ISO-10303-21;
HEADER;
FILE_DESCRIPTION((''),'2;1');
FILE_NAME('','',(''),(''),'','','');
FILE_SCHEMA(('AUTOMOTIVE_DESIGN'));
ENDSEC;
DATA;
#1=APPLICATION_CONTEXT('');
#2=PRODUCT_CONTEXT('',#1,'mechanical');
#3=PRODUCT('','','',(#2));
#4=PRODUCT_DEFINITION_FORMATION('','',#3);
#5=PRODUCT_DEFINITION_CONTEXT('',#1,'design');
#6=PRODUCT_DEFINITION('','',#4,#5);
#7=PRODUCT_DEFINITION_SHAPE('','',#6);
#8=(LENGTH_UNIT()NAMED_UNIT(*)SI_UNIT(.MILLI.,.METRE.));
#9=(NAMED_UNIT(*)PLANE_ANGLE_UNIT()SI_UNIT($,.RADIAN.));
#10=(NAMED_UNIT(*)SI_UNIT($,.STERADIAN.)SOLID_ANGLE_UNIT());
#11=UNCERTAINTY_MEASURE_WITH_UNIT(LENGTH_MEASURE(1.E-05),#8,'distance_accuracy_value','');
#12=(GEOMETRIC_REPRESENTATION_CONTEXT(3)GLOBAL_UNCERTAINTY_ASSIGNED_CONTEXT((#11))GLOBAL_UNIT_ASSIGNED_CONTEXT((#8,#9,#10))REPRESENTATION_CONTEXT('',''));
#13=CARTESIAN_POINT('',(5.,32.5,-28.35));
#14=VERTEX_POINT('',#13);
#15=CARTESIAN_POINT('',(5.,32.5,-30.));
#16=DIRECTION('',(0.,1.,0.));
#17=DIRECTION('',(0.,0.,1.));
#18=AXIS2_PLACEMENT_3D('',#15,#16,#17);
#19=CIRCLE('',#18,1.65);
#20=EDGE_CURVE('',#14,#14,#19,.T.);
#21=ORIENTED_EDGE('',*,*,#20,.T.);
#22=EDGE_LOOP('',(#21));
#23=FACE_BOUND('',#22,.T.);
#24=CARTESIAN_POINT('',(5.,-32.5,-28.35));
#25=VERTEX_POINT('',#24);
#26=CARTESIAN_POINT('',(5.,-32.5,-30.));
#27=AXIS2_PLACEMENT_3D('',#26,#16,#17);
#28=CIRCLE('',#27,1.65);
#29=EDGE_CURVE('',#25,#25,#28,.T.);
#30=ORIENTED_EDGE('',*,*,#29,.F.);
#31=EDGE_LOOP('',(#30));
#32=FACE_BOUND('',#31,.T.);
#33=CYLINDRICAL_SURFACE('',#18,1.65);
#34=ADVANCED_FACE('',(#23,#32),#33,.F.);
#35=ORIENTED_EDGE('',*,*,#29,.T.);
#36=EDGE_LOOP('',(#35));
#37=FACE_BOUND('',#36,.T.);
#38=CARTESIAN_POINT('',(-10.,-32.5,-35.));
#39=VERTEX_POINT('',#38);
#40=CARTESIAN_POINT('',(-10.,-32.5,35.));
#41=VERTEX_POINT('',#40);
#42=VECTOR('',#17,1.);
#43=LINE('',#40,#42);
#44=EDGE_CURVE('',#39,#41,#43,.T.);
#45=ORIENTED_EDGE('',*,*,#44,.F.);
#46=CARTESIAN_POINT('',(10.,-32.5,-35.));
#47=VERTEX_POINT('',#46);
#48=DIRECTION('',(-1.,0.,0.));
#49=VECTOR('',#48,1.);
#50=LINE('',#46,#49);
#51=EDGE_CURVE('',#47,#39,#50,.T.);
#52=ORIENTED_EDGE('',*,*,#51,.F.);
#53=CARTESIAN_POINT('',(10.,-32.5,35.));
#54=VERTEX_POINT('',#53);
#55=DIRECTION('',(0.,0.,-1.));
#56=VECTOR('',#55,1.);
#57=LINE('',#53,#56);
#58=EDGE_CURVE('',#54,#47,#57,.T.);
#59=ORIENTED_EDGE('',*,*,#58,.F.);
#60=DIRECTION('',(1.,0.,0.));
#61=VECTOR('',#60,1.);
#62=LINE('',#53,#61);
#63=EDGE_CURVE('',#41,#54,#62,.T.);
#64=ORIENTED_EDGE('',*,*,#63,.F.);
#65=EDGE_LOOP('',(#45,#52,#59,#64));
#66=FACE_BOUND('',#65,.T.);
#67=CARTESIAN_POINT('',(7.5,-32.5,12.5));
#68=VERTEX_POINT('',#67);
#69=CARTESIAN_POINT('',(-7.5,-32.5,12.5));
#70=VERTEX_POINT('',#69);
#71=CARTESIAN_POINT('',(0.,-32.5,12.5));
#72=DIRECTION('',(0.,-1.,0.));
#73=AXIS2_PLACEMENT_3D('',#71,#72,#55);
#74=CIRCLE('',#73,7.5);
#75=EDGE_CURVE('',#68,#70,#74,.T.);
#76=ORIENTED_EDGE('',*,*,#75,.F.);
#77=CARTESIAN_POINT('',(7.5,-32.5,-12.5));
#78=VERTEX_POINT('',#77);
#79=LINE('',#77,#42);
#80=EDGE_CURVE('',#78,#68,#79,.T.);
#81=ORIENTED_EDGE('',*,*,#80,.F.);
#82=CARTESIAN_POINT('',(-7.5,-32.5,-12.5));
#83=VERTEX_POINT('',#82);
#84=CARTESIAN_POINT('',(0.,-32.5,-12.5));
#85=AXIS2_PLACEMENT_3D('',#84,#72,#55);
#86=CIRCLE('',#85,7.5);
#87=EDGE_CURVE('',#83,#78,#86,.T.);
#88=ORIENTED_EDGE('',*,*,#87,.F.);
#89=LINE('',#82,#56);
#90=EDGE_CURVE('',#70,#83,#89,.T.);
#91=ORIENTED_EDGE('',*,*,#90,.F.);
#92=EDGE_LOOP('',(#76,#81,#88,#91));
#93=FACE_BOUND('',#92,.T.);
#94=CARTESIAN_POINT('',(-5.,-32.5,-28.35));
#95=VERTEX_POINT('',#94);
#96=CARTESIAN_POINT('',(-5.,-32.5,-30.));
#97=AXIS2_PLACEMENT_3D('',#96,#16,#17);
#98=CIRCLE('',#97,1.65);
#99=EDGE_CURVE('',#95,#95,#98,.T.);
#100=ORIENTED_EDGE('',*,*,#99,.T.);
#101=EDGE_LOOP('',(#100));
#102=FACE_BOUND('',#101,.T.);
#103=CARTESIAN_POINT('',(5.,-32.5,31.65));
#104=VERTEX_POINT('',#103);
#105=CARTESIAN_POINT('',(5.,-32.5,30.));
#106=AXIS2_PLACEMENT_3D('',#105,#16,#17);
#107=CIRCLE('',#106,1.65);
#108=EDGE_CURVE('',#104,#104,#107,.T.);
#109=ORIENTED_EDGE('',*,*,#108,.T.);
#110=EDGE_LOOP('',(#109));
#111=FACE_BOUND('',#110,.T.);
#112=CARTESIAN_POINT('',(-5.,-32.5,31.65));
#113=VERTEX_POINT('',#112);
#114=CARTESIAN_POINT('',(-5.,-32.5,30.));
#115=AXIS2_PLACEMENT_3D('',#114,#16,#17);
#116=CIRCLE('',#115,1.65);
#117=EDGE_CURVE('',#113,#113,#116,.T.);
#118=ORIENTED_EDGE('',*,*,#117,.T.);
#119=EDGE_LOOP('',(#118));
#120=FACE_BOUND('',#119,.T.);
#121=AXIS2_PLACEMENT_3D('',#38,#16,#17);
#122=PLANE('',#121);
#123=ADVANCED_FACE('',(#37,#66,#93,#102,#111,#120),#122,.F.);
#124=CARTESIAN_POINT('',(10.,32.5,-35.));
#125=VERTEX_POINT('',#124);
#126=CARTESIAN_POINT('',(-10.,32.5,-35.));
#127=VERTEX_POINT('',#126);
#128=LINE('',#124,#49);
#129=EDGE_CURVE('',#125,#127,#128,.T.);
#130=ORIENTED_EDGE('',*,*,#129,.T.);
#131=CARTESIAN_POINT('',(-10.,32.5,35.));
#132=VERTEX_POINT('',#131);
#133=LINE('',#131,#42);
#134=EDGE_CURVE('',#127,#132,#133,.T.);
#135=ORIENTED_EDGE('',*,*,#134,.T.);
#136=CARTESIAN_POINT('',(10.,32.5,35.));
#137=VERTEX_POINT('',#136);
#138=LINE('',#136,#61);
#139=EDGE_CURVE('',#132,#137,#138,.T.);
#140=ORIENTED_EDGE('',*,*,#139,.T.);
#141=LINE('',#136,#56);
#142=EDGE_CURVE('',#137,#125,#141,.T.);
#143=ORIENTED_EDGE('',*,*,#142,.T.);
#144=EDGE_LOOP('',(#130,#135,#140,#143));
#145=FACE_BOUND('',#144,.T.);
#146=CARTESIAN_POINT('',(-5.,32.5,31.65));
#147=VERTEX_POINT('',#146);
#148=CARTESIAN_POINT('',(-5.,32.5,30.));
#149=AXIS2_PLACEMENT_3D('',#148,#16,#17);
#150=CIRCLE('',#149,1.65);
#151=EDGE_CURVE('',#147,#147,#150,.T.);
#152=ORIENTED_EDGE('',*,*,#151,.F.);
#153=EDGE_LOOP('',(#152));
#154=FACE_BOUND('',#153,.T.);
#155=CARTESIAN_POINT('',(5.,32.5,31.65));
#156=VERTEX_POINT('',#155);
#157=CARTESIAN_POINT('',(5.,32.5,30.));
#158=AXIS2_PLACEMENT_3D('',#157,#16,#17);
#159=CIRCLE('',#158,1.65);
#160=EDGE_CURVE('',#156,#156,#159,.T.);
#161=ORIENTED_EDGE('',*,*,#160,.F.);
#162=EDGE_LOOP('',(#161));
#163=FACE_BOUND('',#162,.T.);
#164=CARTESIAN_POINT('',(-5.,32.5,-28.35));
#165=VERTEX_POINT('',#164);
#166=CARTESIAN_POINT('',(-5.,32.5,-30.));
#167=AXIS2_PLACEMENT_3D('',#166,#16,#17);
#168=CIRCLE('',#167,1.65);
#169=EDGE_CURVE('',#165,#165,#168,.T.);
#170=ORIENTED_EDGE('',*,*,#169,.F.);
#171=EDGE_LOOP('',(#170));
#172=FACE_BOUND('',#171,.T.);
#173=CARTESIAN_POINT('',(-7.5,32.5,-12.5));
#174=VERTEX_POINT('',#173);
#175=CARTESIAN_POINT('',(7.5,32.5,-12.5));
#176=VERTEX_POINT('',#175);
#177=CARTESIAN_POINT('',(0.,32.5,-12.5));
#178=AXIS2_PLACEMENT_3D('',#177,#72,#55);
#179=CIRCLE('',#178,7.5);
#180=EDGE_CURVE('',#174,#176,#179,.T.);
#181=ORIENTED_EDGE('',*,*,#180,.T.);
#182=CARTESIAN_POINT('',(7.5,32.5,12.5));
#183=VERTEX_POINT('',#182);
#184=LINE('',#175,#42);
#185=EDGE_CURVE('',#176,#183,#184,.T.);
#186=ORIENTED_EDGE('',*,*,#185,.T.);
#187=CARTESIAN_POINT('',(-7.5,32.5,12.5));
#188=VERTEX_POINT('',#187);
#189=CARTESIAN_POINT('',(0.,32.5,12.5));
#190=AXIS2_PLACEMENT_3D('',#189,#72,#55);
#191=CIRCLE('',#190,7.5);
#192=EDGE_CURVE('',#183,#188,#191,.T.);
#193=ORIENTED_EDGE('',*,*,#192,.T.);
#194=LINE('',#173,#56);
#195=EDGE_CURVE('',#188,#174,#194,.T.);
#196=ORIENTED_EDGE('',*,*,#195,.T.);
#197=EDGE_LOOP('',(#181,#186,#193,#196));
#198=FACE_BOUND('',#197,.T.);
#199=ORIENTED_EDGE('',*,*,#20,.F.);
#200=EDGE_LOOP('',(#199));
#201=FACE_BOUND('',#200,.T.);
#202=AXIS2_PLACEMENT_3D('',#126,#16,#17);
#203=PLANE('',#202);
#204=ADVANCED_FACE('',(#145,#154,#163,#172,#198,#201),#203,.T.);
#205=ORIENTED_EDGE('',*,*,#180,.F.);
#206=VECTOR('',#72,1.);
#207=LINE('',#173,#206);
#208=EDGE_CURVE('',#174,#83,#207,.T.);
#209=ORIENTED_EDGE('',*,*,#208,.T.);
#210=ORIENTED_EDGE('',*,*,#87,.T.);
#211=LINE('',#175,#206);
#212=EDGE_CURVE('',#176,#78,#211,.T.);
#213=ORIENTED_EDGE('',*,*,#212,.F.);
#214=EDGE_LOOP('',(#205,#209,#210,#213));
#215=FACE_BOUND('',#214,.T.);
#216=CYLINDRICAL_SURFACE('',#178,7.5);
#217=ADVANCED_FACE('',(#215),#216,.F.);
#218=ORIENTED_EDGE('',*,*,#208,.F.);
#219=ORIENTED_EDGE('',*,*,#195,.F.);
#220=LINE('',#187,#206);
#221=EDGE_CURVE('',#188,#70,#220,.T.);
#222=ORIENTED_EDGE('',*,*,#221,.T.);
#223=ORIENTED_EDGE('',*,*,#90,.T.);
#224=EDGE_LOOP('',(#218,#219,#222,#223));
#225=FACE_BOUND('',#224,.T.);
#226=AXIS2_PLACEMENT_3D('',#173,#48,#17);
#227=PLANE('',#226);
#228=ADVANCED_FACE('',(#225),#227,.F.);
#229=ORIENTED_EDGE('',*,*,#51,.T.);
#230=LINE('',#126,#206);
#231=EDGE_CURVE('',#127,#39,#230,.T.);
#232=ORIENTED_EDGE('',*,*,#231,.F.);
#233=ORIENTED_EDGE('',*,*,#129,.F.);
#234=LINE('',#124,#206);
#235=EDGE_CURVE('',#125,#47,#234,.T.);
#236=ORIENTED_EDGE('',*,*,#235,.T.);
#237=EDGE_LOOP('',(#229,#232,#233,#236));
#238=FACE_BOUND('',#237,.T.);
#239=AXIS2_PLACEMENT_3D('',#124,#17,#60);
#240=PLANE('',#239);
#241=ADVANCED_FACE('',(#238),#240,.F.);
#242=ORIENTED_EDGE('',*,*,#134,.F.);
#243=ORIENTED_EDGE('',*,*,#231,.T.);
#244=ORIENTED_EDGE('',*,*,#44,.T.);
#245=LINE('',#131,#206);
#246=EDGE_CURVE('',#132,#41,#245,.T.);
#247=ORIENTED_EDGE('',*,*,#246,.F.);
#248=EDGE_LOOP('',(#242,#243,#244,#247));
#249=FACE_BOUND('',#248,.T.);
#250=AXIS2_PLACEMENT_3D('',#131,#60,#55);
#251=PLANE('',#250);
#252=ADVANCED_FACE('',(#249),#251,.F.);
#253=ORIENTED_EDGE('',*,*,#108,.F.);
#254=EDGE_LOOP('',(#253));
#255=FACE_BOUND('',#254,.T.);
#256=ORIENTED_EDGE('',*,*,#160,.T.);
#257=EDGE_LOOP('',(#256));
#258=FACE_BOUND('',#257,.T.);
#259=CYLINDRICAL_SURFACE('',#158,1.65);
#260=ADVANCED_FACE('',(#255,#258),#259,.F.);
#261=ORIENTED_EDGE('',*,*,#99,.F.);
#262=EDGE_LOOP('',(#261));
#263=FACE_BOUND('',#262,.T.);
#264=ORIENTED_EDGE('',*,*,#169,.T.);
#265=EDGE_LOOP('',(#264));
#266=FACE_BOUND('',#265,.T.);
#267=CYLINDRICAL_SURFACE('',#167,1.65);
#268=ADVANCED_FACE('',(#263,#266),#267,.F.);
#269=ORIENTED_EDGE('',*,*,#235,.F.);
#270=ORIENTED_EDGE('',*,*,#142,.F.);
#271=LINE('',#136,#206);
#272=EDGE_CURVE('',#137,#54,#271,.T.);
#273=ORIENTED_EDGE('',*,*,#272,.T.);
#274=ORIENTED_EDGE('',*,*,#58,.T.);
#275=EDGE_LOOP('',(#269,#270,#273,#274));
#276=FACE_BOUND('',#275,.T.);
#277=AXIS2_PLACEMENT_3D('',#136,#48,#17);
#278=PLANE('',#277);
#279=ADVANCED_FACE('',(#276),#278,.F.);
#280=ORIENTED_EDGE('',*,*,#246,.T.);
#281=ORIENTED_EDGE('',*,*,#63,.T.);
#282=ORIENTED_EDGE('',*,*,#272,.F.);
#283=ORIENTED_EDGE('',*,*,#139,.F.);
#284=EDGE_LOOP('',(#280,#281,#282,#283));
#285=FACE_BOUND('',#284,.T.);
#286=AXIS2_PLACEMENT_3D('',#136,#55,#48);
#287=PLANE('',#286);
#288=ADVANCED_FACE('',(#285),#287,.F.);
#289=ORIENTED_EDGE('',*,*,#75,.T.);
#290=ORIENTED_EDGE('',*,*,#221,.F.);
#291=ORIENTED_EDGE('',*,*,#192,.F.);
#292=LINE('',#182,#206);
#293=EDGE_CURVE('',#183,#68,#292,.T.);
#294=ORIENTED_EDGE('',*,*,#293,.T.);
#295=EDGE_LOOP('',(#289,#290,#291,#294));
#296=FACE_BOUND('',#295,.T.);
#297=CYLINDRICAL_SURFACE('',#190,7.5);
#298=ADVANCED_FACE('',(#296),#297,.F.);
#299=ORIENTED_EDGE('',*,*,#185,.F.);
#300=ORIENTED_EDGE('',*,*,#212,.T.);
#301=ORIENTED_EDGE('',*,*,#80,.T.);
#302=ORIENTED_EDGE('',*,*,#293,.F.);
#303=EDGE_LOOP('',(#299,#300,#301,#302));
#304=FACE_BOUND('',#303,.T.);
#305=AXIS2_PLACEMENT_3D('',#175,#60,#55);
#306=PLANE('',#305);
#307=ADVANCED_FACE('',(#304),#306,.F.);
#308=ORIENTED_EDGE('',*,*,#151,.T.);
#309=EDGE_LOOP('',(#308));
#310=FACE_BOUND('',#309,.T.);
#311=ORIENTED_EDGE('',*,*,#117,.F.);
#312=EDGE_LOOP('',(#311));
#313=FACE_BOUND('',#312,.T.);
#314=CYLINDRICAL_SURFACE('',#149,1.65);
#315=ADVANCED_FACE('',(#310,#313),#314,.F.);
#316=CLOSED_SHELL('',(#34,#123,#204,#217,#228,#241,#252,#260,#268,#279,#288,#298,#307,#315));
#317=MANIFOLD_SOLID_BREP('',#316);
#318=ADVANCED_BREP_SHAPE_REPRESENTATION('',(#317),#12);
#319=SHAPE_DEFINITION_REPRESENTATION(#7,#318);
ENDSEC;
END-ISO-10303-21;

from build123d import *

# Parameters (mm, degrees)
SKETCH1_W             = 20
SKETCH1_H             = 70
BOSS_EXTRUDE1_DEPTH   = 32.5
CUT_EXTRUDE1_DEPTH    = 75.498322129
SKETCH3_R             = 1.5
CUT_EXTRUDE2_DEPTH    = 100
M4_TAPPED_HOLE1_D     = 3.3
M4_TAPPED_HOLE1_DEPTH = 102.1
M4_TAPPED_HOLE1_TIP   = 0.991420021


with BuildPart() as part:
    # Sketch1 → Boss-Extrude1 (new, symmetric)
    with BuildSketch(Plane(origin=(0, 0, 0), x_dir=(1, 0, 0), z_dir=(0, 1, 0))):
        Rectangle(SKETCH1_W, SKETCH1_H)
    extrude(amount=BOSS_EXTRUDE1_DEPTH, both=True)

    # Sketch2 → Cut-Extrude1 (cut, through all)
    with BuildSketch(Plane.XZ.offset(32.5)):
        with BuildLine():
            Line((-7.5, -12.5), (-7.5, 12.5))
            ThreePointArc((-7.5, 12.5), (0, 20), (7.5, 12.5))
            Line((7.5, 12.5), (7.5, -12.5))
            ThreePointArc((7.5, -12.5), (0, -20), (-7.5, -12.5))
        make_face()
    extrude(amount=-CUT_EXTRUDE1_DEPTH, mode=Mode.SUBTRACT)

    # Sketch3 → Cut-Extrude2 (cut)
    with BuildSketch(Plane.XZ.offset(32.5)):
        with Locations(Location((5, 30, 0), (0, 0, 270))):
            Circle(SKETCH3_R)
        with Locations(Location((-5, 30, 0), (0, 0, 90))):
            Circle(SKETCH3_R)
        with Locations(Location((5, -30, 0), (0, 0, 90))):
            Circle(SKETCH3_R)
        with Locations(Location((-5, -30, 0), (0, 0, 270))):
            Circle(SKETCH3_R)
    extrude(amount=-CUT_EXTRUDE2_DEPTH, mode=Mode.SUBTRACT)

    # M4 Tapped Hole1
    with Locations(Plane(origin=(-5, 32.5, 30), x_dir=(0, 0, 1), z_dir=(0, 1, 0))):
        with Locations((0, 0), (0, 10), (-60, 10), (-60, 0)):
            Hole(M4_TAPPED_HOLE1_D / 2, depth=M4_TAPPED_HOLE1_DEPTH)
            with Locations((0, 0, -(M4_TAPPED_HOLE1_DEPTH + M4_TAPPED_HOLE1_TIP / 2))):  # 118° drill point
                Cone(0, M4_TAPPED_HOLE1_D / 2, M4_TAPPED_HOLE1_TIP, mode=Mode.SUBTRACT)


solid = part.part
